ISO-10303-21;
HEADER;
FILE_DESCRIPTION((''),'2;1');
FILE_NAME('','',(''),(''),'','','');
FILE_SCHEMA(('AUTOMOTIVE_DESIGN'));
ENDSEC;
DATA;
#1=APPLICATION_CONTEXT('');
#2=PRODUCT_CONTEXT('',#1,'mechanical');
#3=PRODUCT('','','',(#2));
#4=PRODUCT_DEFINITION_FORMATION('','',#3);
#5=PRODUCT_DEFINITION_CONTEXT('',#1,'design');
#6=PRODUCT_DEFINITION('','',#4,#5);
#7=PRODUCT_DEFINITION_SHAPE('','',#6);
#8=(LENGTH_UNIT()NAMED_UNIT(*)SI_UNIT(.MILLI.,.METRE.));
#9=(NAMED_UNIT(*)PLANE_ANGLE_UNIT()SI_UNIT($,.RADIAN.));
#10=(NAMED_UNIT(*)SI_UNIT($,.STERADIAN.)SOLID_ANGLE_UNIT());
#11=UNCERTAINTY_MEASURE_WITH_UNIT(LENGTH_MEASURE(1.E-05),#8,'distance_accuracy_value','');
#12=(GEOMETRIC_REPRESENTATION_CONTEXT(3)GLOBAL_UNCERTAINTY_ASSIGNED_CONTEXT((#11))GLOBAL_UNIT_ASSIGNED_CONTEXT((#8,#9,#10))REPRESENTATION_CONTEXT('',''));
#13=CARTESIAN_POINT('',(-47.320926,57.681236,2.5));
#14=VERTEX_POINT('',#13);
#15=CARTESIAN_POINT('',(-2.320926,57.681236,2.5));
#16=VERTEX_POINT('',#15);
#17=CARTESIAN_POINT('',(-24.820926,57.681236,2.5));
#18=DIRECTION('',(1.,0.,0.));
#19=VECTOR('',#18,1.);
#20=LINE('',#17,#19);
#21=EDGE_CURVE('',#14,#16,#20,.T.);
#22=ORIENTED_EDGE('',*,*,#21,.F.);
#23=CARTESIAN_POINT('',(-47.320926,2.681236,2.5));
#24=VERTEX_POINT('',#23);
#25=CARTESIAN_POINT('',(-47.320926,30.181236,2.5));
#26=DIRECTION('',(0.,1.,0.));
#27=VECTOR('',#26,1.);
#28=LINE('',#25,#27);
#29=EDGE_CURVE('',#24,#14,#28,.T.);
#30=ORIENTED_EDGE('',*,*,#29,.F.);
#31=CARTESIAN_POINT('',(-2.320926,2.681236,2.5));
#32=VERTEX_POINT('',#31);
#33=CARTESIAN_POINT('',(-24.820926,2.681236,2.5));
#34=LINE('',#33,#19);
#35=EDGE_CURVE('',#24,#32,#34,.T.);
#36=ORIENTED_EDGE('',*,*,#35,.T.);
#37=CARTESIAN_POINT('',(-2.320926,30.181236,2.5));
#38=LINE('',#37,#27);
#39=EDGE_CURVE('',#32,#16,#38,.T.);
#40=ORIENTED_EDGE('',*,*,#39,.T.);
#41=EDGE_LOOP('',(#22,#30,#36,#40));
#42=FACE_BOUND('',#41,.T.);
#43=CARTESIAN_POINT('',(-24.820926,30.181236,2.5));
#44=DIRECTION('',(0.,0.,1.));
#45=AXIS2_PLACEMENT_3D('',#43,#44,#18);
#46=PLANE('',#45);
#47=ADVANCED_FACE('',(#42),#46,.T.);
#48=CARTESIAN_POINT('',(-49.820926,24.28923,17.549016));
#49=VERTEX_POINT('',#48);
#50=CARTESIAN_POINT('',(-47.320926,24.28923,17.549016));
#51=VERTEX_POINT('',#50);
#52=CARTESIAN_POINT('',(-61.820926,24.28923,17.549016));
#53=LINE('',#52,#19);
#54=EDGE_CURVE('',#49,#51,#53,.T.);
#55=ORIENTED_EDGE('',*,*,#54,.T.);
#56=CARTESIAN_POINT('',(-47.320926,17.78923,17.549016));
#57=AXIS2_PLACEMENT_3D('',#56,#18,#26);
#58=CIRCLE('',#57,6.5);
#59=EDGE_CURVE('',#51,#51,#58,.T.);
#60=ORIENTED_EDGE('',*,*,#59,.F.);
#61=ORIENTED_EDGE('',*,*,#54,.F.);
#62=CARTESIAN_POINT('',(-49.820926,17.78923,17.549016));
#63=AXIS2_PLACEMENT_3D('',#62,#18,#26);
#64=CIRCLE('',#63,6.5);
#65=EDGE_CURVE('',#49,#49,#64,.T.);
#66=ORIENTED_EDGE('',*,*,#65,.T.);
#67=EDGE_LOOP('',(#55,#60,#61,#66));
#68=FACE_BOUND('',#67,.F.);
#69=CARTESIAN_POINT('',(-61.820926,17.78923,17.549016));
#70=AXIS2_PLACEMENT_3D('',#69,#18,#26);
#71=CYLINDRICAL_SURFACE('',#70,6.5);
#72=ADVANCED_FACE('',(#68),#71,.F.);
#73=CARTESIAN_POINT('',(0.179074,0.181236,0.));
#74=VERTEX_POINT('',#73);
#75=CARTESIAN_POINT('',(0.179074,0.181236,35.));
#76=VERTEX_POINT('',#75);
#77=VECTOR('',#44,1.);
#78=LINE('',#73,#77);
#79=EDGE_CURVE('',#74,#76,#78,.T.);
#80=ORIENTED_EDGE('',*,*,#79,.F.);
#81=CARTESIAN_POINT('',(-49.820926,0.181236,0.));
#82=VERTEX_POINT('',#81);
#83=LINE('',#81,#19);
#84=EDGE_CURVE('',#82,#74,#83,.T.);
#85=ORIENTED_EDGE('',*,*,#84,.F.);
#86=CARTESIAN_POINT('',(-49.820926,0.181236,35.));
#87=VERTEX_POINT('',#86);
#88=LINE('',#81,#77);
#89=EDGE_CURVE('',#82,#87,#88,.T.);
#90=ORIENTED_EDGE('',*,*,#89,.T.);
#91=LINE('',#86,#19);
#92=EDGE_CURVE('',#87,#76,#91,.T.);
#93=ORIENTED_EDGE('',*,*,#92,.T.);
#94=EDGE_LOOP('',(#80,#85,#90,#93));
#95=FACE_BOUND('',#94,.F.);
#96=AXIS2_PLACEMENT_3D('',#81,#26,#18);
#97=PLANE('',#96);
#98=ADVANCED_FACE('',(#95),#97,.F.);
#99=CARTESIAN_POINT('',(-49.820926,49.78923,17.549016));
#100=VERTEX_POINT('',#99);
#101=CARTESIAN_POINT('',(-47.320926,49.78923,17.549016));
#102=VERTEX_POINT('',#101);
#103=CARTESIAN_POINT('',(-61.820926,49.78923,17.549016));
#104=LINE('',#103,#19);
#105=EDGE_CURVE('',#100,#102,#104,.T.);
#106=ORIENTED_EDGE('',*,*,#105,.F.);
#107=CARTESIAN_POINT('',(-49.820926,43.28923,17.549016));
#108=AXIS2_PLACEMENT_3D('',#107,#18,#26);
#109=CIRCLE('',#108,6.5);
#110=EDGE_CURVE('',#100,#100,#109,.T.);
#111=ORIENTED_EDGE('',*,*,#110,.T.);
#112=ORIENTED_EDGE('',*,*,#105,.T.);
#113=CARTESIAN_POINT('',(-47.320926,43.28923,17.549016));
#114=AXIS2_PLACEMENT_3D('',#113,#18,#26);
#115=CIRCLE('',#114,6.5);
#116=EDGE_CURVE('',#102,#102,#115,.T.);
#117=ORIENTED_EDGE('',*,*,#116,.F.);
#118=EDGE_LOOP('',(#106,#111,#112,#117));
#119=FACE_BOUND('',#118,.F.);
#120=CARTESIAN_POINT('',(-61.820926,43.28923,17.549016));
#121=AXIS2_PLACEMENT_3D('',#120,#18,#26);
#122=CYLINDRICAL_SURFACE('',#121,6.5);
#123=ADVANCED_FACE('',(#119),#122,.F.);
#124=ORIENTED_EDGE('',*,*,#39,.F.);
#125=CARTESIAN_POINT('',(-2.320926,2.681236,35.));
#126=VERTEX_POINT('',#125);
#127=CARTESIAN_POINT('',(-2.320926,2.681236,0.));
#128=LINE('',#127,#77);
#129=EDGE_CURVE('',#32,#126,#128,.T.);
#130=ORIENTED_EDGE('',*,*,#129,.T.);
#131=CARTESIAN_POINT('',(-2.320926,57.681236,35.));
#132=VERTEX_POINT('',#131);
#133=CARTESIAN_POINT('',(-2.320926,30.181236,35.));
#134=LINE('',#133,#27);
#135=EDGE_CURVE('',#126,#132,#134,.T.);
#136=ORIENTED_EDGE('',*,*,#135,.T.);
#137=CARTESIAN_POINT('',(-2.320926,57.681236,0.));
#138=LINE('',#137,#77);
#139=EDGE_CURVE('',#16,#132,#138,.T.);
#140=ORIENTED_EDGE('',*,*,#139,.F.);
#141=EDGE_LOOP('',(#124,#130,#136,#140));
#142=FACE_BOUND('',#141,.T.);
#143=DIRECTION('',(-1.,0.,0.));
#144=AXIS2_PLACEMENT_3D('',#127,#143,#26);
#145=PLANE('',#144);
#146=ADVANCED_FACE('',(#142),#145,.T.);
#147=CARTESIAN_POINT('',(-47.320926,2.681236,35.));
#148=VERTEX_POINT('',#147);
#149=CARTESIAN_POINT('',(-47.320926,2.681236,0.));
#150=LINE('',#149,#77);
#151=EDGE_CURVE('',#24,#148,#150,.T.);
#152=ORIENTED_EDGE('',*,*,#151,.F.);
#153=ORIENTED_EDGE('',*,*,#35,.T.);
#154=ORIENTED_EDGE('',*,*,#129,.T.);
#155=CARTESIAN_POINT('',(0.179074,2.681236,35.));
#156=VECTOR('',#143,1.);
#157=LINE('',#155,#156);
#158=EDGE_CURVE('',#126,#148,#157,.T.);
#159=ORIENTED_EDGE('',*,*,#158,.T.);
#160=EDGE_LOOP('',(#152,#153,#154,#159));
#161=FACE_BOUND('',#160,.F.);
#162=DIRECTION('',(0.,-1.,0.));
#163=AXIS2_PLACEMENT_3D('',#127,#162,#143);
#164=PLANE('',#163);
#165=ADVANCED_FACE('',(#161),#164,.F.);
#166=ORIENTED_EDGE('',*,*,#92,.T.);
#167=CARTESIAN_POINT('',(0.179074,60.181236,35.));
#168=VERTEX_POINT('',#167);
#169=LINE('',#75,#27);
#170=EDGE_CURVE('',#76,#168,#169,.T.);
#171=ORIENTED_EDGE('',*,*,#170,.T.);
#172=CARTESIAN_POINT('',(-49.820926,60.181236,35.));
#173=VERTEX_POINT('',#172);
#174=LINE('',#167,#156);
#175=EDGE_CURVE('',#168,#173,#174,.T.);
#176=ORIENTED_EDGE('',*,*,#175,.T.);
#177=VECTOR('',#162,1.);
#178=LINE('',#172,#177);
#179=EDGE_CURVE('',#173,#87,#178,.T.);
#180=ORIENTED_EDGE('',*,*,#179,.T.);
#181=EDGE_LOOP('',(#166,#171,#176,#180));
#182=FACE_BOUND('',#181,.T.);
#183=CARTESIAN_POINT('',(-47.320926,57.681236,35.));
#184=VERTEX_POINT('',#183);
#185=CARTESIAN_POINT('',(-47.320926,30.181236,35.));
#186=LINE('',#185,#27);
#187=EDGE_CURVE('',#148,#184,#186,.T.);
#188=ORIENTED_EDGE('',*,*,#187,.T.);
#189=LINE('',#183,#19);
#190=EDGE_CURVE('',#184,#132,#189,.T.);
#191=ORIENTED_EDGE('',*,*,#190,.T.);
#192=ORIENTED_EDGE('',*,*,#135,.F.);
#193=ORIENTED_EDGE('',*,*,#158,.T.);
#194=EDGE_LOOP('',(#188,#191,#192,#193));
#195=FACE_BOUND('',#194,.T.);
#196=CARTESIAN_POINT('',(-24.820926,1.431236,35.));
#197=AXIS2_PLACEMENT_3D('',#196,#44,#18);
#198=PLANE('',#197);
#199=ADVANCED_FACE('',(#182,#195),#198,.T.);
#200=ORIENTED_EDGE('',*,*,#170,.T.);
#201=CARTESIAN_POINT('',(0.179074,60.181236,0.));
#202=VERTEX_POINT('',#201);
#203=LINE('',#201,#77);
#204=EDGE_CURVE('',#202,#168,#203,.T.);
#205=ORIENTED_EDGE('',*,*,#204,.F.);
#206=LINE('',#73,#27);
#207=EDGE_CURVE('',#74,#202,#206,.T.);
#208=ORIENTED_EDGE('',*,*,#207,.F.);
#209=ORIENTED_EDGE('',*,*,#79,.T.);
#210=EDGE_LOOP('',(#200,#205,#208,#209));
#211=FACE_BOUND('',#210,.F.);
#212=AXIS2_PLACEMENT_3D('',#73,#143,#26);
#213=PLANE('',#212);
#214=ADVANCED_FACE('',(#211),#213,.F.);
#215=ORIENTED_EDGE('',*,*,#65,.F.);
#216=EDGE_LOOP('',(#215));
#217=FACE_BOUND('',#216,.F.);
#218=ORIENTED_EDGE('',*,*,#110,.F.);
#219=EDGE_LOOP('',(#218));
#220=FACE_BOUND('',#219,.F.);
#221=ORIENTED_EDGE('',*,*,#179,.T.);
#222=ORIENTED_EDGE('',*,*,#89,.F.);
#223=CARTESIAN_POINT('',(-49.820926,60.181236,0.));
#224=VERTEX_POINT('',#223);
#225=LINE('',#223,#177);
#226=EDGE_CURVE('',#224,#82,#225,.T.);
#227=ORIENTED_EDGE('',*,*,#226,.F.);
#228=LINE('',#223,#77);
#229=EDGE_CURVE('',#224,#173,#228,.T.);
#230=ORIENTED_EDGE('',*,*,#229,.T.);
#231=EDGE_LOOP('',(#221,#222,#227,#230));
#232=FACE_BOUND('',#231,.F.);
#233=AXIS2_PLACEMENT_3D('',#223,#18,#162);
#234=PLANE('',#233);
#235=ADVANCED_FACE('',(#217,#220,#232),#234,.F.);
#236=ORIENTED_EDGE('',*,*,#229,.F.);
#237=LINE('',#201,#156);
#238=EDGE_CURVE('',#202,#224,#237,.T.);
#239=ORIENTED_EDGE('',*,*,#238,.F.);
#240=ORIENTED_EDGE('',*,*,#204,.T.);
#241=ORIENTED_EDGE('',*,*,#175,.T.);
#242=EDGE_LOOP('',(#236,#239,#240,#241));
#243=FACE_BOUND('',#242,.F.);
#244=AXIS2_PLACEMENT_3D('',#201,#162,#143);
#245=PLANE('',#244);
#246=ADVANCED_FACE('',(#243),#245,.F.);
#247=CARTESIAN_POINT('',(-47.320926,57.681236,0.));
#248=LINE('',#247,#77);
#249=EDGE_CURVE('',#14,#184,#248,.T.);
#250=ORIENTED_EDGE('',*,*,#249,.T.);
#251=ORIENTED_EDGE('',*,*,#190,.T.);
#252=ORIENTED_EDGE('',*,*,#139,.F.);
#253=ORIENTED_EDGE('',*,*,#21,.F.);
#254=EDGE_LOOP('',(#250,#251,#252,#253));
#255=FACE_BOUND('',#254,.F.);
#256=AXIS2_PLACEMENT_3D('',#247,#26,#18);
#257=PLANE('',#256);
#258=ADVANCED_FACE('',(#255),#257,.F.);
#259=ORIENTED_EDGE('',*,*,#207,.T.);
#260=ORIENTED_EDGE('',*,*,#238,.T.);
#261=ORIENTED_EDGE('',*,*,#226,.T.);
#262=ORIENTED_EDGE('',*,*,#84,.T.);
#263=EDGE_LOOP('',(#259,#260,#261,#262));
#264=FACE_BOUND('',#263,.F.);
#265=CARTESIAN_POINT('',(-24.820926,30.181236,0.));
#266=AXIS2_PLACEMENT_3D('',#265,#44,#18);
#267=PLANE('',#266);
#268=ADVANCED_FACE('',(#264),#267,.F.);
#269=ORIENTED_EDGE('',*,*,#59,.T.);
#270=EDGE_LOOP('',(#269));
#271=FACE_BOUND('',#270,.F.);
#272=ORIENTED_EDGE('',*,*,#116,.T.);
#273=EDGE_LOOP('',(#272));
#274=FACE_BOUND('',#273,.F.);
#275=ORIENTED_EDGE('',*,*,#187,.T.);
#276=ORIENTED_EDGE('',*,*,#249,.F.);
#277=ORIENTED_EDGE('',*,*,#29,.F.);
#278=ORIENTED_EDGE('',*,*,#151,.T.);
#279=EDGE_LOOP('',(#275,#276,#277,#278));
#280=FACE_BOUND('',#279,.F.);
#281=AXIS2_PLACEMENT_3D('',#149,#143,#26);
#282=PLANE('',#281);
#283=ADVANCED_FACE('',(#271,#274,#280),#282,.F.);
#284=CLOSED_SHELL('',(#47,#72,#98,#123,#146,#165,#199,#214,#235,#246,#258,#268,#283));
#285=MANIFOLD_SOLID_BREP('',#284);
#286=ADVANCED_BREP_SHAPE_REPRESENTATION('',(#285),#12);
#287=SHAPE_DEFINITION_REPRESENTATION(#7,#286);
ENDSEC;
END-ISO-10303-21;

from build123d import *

# Parameters (mm, degrees)
F0_W     = 2.5
F0_H     = 55
F1_DEPTH = 35
F0_W_2   = 45
F2_DEPTH = 2.5
F4_D     = 13
F4_DEPTH = 12
F5_D     = 13
F5_DEPTH = 12


with BuildPart() as f1:
    # F0 (on Top) → F1 (new body)
    with BuildSketch(Plane.XY):
        Polygon((-47.320926, 2.681236), (-49.820926, 2.681236), (-49.820926, 0.181236), (0.179074, 0.181236), (0.179074, 2.681236), (-2.320926, 2.681236), align=None)
        with Locations((-48.570926, 30.181236)):
            Rectangle(F0_W, F0_H)
        Polygon((0.179074, 60.181236), (-49.820926, 60.181236), (-49.820926, 57.681236), (-47.320926, 57.681236), (-2.320926, 57.681236), (0.179074, 57.681236), align=None)
        with Locations((-1.070926, 30.181236)):
            Rectangle(F0_W, F0_H)
    extrude(amount=F1_DEPTH)

    # F0 (on Top) → F2 (join)
    with BuildSketch(Plane.XY):
        with Locations((-24.820926, 30.181236)):
            Rectangle(F0_W_2, F0_H)
    extrude(amount=F2_DEPTH)

    # F4
    with Locations(Plane(origin=(-49.820926, 0, 0), x_dir=(0, -1, 0), z_dir=(-1, 0, 0))):
        with Locations((-43.28923, 17.549016)):
            Hole(F4_D / 2, depth=F4_DEPTH)

    # F5
    with Locations(Plane(origin=(-49.820926, 0, 0), x_dir=(0, -1, 0), z_dir=(-1, 0, 0))):
        with Locations((-17.78923, 17.549016)):
            Hole(F5_D / 2, depth=F5_DEPTH)


solid = f1.part
